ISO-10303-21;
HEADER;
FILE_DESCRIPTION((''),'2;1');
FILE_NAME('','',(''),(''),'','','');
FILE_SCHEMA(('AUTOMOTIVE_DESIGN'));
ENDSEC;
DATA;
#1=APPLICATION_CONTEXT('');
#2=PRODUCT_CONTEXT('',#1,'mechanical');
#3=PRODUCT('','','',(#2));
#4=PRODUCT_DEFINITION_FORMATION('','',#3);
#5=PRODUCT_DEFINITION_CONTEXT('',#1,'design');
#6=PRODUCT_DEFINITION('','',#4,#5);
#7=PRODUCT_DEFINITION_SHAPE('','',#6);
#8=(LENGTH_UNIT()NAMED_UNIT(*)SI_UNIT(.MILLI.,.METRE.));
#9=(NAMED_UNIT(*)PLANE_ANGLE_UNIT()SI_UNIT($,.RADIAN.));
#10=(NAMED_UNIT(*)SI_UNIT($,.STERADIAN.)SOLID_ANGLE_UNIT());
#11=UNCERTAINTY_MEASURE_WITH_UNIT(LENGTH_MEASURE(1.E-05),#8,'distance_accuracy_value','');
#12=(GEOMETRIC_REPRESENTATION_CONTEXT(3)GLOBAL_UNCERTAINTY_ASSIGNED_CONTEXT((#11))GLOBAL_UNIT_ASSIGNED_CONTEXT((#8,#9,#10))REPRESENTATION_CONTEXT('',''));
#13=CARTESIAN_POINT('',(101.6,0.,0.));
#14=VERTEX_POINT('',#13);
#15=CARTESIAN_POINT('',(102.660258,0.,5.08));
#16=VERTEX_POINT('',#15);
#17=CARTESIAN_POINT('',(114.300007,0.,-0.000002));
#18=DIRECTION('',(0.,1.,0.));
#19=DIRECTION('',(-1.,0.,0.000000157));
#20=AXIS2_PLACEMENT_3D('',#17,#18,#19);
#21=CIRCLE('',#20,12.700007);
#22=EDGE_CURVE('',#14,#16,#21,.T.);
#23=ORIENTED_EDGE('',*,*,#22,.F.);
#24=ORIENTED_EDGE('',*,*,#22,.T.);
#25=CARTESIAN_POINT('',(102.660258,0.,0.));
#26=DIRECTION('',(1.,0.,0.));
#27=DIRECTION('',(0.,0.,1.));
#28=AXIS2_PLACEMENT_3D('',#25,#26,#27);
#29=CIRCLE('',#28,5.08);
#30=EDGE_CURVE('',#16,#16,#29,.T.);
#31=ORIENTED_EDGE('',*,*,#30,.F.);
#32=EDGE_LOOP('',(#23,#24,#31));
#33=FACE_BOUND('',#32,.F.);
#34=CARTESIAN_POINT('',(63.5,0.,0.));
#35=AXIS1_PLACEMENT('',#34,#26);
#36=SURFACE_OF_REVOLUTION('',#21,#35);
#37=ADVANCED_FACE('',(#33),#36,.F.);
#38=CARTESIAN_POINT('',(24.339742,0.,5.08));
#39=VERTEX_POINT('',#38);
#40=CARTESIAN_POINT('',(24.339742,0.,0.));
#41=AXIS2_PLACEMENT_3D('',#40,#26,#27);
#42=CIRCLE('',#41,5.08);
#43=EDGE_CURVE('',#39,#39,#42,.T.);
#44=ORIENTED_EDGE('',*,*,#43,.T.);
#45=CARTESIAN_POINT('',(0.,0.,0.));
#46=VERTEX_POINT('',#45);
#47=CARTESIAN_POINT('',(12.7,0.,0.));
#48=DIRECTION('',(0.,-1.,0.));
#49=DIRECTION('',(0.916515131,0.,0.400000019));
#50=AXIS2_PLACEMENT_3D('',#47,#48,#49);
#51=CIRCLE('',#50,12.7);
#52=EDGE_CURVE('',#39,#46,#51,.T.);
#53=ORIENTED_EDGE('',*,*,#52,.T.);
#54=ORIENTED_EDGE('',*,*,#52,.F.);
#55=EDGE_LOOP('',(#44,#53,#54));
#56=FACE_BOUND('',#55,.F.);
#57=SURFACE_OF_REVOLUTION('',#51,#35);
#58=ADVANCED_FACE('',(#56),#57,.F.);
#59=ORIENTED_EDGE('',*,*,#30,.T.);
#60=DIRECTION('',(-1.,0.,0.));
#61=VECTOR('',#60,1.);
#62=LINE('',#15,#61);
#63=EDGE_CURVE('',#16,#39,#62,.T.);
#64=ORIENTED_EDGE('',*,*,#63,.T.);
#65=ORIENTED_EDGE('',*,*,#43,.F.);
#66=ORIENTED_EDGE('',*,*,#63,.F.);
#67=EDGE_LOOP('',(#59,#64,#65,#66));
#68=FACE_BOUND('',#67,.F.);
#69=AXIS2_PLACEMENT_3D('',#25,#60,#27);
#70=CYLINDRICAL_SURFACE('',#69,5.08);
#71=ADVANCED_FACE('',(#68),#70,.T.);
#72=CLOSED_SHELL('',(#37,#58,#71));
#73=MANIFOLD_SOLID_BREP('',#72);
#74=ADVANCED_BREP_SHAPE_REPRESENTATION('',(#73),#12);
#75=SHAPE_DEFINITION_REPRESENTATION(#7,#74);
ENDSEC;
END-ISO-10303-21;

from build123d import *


with BuildPart() as f1:
    # F0 (on Front) → F1 (revolve)
    with BuildSketch(Plane.XZ):
        with BuildLine():
            ThreePointArc((24.339742, 5.08), (10.105268, 12.43211), (0, 0))
            Line((0, 0), (25.4, 0))
            ThreePointArc((25.4, 0), (25.13211, 2.594732), (24.339742, 5.08))
        make_face()
        with BuildLine():
            ThreePointArc((24.339742, 5.08), (25.13211, 2.594732), (25.4, 0))
            Line((25.4, 0), (101.6, 0))
            ThreePointArc((101.6, 0), (101.86789, 2.594732), (102.660258, 5.08))
            Line((102.660258, 5.08), (24.339742, 5.08))
        make_face()
    revolve(axis=Axis((63.5, 0, 0), (1, 0, 0)))


solid = f1.part
